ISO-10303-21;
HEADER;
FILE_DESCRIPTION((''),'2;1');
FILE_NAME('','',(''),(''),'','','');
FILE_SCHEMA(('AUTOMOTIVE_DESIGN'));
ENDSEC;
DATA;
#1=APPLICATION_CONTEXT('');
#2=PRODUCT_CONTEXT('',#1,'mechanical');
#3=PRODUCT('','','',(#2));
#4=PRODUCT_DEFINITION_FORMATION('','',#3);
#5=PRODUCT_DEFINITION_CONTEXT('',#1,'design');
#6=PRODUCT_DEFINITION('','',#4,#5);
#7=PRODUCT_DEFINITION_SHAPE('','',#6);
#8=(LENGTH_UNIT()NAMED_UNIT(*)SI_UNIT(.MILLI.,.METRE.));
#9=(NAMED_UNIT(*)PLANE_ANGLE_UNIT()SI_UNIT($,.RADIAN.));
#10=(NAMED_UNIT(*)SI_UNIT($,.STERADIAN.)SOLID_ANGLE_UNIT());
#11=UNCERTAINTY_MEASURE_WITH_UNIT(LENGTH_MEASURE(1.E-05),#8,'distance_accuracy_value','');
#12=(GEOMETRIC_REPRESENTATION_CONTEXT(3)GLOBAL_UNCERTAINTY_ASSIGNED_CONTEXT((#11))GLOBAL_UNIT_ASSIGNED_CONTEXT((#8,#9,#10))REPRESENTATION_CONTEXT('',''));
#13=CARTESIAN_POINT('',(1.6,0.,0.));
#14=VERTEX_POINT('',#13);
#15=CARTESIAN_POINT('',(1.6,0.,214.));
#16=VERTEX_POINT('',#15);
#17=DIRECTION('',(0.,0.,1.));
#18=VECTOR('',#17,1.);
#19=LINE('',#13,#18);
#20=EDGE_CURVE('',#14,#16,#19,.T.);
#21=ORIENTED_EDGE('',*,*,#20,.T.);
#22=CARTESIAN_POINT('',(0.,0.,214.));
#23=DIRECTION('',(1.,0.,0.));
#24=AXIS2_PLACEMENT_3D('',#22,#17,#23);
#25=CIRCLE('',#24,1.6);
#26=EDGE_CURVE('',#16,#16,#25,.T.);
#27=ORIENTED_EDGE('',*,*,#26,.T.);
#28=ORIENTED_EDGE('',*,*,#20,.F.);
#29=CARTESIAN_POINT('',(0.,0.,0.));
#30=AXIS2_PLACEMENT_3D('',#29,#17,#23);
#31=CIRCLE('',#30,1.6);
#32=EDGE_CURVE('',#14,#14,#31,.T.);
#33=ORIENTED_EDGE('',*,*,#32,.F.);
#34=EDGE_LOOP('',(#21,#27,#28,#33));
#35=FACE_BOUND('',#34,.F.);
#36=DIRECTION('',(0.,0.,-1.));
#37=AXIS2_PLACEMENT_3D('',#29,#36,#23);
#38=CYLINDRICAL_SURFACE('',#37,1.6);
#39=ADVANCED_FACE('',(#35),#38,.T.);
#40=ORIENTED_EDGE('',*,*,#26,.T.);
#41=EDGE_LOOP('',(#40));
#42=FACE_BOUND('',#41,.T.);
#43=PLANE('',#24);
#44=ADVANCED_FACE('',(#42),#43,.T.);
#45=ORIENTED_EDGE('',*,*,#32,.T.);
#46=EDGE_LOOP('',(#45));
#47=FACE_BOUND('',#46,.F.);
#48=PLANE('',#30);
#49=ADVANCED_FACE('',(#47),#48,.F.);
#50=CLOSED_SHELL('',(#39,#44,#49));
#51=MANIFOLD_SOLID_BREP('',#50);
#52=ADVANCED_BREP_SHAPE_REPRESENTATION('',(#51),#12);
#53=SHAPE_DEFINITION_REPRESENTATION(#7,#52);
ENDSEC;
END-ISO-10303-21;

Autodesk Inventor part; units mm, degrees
ref_plane "YZ Plane" through (0, 0, 0) normal (1, 0, 0) x (0, 1, 0)
ref_plane "XZ Plane" through (0, 0, 0) normal (0, 1, 0) x (-1, 0, 0)
ref_plane "XY Plane" through (0, 0, 0) normal (0, 0, 1) x (1, 0, 0)
sketch "Sketch1" plane through (0, 0, 0) normal (0, 0, 1) x (1, 0, 0)
  circle A0 centre (0, 0) radius 1.6
  dimension "d0" = 3.2
extrude "Extrusion1" add sketch "Sketch1" along normal blind 214
